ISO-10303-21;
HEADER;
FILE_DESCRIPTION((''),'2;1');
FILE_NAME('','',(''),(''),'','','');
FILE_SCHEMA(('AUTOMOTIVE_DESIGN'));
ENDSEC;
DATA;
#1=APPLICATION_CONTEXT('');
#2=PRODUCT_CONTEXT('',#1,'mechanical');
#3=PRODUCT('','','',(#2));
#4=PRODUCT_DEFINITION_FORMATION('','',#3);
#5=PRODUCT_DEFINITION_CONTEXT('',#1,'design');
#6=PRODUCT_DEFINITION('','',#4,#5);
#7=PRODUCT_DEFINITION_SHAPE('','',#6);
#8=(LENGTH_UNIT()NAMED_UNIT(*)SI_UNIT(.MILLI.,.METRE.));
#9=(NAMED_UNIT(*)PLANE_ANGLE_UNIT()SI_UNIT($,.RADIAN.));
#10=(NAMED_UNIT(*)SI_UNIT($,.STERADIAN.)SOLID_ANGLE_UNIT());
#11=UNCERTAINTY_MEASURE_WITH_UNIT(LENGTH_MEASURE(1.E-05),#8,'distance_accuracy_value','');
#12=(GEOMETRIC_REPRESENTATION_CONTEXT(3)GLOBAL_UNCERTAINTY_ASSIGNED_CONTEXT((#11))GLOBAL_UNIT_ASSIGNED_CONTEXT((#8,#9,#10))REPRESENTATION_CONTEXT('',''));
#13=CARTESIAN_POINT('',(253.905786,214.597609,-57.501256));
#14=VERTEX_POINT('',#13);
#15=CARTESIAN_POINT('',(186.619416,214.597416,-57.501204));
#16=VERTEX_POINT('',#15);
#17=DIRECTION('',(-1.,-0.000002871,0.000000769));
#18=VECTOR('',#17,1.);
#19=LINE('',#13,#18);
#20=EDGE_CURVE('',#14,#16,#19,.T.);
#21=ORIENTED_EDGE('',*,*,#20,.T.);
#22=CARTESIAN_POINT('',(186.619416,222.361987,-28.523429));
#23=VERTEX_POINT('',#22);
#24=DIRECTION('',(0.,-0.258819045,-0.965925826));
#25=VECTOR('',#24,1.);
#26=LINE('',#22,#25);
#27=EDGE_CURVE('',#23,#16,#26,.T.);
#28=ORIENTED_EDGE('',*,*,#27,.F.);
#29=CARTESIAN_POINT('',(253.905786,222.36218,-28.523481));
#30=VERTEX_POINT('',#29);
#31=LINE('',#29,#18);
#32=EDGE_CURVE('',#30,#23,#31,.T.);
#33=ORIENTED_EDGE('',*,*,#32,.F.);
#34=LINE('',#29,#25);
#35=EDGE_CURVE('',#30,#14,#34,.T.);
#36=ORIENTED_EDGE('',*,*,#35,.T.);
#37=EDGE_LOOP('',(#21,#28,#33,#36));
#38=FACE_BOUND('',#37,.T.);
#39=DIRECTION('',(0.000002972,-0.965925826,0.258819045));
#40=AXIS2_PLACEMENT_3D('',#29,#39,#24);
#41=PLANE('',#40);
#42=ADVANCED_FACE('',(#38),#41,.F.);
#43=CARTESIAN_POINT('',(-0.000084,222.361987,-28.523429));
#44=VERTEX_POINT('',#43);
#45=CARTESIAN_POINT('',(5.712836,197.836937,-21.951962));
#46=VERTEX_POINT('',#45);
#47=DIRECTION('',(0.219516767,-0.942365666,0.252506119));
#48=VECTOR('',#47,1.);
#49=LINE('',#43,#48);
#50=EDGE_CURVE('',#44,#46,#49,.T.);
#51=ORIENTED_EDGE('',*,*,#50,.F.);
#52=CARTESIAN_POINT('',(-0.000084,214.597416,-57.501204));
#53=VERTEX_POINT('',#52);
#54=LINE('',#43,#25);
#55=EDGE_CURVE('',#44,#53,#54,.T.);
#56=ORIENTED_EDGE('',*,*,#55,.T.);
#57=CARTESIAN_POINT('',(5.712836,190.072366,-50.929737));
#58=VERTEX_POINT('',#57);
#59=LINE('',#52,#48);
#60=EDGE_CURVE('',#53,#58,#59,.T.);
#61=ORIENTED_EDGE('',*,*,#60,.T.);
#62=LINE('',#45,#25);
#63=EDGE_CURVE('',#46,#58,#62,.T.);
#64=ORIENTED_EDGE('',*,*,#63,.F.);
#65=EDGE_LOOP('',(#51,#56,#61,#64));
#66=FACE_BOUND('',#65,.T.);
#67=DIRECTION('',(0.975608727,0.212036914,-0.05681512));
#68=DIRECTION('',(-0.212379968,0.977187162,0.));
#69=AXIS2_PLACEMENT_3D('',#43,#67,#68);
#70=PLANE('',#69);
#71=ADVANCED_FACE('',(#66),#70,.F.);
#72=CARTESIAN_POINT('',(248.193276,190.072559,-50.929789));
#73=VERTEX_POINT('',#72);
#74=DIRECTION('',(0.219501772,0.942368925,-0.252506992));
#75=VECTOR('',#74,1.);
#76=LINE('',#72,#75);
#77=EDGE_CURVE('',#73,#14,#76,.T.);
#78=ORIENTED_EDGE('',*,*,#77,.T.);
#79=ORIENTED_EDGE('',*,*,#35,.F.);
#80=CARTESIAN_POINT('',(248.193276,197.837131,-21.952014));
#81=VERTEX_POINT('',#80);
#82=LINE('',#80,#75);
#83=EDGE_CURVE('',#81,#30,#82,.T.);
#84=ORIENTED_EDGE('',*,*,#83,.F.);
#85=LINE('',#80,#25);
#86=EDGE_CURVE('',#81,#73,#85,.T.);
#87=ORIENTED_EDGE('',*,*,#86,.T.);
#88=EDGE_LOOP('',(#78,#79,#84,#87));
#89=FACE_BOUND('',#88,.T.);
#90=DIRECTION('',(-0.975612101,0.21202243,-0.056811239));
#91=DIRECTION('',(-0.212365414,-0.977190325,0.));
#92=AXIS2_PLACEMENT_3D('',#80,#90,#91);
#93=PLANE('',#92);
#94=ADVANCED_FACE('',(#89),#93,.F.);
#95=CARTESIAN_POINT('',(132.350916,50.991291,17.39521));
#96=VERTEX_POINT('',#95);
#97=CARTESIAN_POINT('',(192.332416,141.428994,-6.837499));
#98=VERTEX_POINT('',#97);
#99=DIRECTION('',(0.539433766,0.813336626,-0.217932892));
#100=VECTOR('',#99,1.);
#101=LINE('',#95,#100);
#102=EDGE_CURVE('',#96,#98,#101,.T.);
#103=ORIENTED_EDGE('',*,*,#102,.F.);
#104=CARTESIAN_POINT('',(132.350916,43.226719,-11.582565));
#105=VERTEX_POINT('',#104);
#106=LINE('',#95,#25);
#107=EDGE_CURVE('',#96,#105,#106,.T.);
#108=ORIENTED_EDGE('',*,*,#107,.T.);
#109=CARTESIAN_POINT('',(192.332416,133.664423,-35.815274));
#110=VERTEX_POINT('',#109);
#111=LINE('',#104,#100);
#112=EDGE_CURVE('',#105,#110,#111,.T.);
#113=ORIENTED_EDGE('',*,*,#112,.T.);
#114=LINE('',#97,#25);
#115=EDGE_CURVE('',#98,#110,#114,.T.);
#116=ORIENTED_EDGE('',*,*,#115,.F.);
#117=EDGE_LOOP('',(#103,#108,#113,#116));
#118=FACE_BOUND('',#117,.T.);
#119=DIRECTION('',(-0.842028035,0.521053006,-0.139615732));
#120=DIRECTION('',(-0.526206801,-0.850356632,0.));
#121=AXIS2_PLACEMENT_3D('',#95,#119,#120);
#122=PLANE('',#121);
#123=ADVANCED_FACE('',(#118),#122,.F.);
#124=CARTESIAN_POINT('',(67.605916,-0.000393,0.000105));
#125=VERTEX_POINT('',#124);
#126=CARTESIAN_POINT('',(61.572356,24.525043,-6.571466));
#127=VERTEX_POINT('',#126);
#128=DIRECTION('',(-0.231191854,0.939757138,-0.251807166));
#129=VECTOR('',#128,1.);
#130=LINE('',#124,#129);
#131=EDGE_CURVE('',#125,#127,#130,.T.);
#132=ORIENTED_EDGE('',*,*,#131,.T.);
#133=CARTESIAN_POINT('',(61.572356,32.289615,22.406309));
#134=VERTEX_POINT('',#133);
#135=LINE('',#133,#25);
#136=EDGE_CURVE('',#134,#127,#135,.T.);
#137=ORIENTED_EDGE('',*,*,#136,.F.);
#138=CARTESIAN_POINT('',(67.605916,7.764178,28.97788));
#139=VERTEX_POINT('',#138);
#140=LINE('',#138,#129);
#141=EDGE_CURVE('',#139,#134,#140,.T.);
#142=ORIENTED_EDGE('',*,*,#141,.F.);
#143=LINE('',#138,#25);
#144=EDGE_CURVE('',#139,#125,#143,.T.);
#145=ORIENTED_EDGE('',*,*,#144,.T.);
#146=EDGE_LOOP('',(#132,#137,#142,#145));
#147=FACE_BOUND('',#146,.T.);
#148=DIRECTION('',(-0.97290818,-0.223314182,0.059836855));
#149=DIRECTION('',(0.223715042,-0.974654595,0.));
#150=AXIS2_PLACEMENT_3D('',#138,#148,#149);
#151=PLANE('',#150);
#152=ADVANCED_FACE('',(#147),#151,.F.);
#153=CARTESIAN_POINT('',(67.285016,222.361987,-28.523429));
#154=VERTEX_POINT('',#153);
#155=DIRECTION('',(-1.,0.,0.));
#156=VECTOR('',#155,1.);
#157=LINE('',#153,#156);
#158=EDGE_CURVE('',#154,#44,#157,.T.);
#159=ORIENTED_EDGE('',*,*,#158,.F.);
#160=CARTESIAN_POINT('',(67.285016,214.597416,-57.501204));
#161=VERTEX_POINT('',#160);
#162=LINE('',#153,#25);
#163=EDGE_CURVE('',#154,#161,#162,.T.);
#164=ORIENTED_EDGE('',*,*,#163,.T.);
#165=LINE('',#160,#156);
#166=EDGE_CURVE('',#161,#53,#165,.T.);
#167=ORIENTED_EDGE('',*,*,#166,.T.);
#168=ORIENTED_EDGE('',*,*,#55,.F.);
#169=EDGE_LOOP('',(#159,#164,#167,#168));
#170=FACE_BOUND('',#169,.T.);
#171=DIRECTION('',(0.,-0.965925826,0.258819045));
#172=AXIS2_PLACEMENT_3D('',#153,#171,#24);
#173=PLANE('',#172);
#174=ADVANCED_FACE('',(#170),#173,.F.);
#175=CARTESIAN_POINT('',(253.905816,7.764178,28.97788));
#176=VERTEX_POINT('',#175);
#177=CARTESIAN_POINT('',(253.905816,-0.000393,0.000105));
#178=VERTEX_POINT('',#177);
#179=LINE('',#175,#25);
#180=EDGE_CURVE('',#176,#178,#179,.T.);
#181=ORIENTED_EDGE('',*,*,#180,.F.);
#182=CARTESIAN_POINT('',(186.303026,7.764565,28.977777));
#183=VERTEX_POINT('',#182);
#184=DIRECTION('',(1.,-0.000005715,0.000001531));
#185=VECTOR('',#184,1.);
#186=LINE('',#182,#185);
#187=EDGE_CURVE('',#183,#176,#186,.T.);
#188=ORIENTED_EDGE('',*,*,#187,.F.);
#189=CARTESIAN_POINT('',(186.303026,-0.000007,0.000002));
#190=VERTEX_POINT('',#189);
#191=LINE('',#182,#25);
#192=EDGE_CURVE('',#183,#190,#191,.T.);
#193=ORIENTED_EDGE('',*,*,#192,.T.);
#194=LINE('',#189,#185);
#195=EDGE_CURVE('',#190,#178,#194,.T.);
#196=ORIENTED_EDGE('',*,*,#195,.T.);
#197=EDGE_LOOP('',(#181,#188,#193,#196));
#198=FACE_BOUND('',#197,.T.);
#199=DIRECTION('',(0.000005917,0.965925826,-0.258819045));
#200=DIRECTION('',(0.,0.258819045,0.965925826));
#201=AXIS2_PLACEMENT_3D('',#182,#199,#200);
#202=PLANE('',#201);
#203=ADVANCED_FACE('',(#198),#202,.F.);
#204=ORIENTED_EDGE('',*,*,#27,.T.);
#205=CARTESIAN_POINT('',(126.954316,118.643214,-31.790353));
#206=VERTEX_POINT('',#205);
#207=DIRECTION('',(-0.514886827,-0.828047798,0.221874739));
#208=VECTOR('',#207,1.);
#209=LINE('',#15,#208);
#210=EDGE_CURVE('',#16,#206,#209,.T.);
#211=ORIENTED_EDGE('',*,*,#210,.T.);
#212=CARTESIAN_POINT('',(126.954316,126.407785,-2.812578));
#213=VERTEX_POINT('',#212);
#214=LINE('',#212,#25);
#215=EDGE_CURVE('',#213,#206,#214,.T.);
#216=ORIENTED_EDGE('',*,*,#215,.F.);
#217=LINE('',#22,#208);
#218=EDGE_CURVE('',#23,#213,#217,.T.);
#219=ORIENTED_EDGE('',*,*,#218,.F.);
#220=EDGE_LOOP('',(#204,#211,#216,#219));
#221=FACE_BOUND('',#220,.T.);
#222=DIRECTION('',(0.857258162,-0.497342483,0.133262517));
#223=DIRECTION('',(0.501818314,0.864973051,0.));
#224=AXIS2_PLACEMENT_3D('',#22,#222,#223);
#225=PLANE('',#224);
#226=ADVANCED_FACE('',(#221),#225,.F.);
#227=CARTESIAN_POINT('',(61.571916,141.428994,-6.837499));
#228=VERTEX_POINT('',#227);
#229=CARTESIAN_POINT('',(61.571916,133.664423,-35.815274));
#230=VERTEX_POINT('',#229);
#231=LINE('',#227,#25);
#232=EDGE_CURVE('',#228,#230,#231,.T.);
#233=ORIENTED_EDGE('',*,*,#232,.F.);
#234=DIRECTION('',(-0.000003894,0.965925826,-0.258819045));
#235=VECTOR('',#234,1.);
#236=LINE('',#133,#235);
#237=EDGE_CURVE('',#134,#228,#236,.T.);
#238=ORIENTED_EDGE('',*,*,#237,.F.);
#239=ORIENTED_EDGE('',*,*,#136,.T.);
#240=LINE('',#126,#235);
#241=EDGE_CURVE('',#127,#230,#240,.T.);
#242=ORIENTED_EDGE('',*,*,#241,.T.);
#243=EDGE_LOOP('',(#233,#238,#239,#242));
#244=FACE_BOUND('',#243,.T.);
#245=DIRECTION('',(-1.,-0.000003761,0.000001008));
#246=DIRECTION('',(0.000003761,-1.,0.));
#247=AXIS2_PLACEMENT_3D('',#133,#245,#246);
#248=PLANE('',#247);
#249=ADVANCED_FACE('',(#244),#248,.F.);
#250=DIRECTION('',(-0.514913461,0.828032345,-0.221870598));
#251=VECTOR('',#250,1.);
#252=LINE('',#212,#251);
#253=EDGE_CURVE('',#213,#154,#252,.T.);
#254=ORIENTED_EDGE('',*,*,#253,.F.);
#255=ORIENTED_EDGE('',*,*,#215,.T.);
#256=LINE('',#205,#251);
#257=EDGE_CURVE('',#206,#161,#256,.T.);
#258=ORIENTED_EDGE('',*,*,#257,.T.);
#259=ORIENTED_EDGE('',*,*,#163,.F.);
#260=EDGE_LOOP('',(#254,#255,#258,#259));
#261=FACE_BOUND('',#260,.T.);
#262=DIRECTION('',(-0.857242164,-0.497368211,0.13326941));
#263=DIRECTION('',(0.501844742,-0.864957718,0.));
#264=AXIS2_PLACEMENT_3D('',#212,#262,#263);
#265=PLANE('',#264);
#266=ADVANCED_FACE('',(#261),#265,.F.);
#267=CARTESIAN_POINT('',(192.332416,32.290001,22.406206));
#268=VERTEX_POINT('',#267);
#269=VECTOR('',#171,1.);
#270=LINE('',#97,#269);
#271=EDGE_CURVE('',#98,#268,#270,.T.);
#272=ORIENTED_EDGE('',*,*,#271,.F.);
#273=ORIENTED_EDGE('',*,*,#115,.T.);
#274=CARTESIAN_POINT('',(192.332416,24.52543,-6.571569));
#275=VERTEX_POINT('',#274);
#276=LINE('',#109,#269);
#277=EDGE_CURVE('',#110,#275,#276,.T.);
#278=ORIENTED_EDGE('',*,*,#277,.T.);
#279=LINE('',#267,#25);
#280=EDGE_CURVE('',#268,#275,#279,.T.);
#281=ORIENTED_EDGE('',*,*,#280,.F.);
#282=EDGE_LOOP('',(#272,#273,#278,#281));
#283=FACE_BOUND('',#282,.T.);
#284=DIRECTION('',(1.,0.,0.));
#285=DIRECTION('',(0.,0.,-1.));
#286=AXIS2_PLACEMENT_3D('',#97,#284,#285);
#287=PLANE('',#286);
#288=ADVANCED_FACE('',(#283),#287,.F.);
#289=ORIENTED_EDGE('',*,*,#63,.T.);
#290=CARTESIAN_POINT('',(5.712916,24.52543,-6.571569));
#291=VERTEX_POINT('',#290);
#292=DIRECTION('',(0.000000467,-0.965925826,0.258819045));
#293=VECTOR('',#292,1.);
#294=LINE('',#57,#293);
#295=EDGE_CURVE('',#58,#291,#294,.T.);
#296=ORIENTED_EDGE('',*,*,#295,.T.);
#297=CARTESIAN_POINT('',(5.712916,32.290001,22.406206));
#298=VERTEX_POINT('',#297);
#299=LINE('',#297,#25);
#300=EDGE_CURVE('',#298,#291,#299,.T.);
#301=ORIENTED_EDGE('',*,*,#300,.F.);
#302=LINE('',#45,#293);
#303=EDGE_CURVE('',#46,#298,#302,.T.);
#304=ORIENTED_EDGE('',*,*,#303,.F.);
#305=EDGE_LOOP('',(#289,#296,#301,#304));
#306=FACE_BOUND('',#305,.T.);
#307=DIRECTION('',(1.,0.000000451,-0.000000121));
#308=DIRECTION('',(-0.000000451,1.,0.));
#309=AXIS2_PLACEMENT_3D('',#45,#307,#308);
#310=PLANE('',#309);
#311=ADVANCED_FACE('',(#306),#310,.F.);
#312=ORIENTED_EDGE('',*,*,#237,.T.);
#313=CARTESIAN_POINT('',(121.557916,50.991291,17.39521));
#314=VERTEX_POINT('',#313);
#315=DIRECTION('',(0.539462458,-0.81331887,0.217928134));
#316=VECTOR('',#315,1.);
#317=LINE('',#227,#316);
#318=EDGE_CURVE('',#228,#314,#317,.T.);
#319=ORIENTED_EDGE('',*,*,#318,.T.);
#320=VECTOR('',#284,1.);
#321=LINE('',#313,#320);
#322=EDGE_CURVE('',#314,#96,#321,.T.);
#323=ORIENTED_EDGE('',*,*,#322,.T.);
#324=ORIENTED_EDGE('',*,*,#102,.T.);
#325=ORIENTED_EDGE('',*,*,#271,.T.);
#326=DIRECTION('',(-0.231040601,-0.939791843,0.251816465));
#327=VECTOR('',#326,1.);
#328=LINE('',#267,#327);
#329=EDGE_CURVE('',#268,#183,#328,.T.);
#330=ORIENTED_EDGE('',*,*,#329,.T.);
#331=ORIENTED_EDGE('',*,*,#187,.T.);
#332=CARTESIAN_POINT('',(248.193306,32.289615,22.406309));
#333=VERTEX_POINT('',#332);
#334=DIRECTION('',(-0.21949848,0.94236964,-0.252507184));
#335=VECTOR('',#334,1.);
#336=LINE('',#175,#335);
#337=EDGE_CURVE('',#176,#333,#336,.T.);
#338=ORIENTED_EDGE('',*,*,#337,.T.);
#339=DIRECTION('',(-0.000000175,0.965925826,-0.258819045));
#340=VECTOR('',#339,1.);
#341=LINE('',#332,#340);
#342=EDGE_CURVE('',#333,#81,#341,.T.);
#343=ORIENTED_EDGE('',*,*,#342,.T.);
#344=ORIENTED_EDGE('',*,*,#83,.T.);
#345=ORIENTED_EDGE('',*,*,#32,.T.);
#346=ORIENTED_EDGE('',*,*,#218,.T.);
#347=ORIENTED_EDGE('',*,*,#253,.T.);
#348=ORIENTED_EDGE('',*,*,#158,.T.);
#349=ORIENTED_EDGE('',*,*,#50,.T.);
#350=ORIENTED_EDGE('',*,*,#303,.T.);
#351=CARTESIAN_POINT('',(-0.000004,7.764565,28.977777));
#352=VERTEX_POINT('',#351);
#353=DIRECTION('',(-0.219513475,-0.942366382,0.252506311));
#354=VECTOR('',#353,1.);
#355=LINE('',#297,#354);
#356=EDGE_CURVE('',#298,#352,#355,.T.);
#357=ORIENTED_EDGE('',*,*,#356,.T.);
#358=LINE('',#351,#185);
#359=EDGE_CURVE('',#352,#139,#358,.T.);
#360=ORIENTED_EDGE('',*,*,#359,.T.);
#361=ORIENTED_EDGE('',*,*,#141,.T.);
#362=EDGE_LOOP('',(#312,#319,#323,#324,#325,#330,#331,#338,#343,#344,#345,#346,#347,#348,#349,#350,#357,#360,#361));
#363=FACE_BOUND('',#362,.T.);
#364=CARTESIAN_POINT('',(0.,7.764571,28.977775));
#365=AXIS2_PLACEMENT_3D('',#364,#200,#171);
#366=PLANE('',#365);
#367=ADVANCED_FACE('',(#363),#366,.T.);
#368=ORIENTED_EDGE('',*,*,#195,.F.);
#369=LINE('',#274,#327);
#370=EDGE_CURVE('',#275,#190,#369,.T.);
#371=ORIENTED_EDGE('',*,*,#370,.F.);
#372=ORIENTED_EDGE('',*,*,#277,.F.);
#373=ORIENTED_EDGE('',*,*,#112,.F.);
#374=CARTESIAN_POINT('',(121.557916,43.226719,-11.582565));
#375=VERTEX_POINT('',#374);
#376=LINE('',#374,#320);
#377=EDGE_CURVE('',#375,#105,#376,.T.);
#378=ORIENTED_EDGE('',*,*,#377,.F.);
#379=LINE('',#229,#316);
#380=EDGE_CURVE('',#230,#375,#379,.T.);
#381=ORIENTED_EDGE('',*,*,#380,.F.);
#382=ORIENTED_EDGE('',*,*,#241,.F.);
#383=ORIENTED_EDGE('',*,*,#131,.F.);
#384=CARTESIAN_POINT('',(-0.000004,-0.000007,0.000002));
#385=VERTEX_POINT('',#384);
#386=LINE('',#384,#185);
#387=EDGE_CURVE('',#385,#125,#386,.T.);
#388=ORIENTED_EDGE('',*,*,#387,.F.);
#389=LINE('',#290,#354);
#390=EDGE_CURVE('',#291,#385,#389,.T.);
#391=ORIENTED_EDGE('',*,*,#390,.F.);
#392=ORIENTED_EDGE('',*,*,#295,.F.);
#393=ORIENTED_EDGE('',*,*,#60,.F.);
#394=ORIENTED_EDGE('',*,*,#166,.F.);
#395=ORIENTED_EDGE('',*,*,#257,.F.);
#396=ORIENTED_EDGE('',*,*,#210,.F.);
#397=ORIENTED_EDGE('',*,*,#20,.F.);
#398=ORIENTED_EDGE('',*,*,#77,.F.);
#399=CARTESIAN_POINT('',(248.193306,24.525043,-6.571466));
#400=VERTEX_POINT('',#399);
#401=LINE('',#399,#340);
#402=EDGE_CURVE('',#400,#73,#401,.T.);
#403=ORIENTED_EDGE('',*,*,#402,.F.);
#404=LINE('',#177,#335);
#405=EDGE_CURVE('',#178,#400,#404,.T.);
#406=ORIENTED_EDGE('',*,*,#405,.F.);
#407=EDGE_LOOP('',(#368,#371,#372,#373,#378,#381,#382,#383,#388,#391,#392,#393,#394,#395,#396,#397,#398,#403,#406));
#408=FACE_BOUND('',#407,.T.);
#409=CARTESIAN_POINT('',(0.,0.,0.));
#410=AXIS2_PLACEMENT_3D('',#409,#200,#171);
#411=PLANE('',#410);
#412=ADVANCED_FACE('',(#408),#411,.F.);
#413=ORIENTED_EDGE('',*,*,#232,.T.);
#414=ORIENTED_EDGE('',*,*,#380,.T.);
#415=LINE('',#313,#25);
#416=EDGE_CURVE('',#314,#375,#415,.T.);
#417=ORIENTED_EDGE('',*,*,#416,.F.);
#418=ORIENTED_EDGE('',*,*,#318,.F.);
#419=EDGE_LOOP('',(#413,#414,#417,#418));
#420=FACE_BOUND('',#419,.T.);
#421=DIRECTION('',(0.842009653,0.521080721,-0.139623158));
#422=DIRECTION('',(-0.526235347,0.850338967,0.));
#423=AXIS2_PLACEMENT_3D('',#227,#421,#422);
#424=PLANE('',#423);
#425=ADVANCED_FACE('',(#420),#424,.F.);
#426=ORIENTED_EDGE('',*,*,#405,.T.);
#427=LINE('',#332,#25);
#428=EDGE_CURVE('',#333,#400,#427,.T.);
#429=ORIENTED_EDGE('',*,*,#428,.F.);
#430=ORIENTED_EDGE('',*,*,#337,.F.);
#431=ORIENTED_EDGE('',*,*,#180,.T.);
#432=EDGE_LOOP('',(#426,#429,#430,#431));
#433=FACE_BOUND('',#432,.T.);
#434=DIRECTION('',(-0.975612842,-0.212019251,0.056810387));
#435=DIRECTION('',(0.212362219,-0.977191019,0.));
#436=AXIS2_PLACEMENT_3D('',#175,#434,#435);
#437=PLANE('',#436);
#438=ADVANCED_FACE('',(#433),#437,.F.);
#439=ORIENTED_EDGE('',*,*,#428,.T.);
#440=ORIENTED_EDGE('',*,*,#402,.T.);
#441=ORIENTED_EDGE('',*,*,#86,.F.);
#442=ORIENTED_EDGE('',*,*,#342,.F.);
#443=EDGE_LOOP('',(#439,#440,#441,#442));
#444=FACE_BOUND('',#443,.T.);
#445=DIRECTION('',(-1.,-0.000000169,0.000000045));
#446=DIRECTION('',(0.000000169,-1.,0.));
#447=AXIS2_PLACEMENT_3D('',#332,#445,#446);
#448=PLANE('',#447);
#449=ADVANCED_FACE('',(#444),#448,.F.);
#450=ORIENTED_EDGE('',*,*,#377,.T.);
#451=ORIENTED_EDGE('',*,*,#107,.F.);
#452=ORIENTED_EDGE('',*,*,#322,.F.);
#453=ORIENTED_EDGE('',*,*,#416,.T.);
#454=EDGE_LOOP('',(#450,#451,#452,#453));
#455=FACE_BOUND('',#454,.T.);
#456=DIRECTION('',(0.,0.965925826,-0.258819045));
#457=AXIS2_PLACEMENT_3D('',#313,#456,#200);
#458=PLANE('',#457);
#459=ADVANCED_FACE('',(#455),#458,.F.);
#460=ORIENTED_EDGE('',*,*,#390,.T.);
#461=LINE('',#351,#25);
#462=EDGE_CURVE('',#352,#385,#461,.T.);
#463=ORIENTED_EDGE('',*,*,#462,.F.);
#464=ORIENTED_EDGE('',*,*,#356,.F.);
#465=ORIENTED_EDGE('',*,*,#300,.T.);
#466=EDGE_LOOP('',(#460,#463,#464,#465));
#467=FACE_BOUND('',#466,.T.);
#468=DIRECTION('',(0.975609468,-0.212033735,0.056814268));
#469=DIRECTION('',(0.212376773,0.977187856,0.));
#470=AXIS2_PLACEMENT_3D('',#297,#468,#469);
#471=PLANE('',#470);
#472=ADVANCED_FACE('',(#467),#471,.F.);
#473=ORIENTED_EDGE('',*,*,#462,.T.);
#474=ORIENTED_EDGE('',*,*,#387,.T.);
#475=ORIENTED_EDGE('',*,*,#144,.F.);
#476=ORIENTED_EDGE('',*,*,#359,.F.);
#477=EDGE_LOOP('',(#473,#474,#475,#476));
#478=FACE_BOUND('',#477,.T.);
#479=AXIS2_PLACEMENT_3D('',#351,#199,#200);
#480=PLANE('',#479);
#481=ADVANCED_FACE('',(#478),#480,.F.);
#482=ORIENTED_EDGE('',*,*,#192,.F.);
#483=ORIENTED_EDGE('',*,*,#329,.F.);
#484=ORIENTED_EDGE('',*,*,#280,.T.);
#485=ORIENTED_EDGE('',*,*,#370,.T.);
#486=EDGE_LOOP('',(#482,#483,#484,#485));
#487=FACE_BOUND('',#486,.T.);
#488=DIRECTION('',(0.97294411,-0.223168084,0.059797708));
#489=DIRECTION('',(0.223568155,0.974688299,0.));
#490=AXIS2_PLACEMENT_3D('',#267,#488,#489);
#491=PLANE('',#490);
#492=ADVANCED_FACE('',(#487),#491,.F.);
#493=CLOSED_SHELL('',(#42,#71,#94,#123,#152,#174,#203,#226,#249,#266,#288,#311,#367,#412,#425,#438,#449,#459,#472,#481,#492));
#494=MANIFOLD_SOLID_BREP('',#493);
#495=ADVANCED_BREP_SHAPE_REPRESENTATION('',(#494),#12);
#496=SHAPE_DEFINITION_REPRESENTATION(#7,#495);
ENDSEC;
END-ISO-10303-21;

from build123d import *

# Parameters (mm, degrees)
BOSS_EXTRUDE1_DEPTH = 30


with BuildPart() as part:
    # Sketch8 → Boss-Extrude1 (new body)
    with BuildSketch(Plane(origin=(0, 0, 0), x_dir=(1, 0, 0), z_dir=(0, 0.25881904510251796, 0.9659258262890691))):
        Polygon((5.712916022, 25.390593035), (-3.978e-06, -6.965e-06), (67.605916022, -0.000406965), (61.572356022, 25.390193035), (61.571916022, 138.379593035), (121.557916022, 44.751593035), (132.350916022, 44.751593035), (192.332416022, 138.379593035), (192.332416022, 25.390593035), (186.303026022, -6.965e-06), (253.905816022, -0.000406965), (248.193306022, 25.390193035), (248.193276022, 196.777593035), (253.905786022, 222.167793035), (186.619416022, 222.167593035), (126.954316022, 122.828493035), (67.285016022, 222.167593035), (-8.3978e-05, 222.167593035), (5.712836022, 196.777393035), align=None)
    extrude(amount=BOSS_EXTRUDE1_DEPTH)


solid = part.part
